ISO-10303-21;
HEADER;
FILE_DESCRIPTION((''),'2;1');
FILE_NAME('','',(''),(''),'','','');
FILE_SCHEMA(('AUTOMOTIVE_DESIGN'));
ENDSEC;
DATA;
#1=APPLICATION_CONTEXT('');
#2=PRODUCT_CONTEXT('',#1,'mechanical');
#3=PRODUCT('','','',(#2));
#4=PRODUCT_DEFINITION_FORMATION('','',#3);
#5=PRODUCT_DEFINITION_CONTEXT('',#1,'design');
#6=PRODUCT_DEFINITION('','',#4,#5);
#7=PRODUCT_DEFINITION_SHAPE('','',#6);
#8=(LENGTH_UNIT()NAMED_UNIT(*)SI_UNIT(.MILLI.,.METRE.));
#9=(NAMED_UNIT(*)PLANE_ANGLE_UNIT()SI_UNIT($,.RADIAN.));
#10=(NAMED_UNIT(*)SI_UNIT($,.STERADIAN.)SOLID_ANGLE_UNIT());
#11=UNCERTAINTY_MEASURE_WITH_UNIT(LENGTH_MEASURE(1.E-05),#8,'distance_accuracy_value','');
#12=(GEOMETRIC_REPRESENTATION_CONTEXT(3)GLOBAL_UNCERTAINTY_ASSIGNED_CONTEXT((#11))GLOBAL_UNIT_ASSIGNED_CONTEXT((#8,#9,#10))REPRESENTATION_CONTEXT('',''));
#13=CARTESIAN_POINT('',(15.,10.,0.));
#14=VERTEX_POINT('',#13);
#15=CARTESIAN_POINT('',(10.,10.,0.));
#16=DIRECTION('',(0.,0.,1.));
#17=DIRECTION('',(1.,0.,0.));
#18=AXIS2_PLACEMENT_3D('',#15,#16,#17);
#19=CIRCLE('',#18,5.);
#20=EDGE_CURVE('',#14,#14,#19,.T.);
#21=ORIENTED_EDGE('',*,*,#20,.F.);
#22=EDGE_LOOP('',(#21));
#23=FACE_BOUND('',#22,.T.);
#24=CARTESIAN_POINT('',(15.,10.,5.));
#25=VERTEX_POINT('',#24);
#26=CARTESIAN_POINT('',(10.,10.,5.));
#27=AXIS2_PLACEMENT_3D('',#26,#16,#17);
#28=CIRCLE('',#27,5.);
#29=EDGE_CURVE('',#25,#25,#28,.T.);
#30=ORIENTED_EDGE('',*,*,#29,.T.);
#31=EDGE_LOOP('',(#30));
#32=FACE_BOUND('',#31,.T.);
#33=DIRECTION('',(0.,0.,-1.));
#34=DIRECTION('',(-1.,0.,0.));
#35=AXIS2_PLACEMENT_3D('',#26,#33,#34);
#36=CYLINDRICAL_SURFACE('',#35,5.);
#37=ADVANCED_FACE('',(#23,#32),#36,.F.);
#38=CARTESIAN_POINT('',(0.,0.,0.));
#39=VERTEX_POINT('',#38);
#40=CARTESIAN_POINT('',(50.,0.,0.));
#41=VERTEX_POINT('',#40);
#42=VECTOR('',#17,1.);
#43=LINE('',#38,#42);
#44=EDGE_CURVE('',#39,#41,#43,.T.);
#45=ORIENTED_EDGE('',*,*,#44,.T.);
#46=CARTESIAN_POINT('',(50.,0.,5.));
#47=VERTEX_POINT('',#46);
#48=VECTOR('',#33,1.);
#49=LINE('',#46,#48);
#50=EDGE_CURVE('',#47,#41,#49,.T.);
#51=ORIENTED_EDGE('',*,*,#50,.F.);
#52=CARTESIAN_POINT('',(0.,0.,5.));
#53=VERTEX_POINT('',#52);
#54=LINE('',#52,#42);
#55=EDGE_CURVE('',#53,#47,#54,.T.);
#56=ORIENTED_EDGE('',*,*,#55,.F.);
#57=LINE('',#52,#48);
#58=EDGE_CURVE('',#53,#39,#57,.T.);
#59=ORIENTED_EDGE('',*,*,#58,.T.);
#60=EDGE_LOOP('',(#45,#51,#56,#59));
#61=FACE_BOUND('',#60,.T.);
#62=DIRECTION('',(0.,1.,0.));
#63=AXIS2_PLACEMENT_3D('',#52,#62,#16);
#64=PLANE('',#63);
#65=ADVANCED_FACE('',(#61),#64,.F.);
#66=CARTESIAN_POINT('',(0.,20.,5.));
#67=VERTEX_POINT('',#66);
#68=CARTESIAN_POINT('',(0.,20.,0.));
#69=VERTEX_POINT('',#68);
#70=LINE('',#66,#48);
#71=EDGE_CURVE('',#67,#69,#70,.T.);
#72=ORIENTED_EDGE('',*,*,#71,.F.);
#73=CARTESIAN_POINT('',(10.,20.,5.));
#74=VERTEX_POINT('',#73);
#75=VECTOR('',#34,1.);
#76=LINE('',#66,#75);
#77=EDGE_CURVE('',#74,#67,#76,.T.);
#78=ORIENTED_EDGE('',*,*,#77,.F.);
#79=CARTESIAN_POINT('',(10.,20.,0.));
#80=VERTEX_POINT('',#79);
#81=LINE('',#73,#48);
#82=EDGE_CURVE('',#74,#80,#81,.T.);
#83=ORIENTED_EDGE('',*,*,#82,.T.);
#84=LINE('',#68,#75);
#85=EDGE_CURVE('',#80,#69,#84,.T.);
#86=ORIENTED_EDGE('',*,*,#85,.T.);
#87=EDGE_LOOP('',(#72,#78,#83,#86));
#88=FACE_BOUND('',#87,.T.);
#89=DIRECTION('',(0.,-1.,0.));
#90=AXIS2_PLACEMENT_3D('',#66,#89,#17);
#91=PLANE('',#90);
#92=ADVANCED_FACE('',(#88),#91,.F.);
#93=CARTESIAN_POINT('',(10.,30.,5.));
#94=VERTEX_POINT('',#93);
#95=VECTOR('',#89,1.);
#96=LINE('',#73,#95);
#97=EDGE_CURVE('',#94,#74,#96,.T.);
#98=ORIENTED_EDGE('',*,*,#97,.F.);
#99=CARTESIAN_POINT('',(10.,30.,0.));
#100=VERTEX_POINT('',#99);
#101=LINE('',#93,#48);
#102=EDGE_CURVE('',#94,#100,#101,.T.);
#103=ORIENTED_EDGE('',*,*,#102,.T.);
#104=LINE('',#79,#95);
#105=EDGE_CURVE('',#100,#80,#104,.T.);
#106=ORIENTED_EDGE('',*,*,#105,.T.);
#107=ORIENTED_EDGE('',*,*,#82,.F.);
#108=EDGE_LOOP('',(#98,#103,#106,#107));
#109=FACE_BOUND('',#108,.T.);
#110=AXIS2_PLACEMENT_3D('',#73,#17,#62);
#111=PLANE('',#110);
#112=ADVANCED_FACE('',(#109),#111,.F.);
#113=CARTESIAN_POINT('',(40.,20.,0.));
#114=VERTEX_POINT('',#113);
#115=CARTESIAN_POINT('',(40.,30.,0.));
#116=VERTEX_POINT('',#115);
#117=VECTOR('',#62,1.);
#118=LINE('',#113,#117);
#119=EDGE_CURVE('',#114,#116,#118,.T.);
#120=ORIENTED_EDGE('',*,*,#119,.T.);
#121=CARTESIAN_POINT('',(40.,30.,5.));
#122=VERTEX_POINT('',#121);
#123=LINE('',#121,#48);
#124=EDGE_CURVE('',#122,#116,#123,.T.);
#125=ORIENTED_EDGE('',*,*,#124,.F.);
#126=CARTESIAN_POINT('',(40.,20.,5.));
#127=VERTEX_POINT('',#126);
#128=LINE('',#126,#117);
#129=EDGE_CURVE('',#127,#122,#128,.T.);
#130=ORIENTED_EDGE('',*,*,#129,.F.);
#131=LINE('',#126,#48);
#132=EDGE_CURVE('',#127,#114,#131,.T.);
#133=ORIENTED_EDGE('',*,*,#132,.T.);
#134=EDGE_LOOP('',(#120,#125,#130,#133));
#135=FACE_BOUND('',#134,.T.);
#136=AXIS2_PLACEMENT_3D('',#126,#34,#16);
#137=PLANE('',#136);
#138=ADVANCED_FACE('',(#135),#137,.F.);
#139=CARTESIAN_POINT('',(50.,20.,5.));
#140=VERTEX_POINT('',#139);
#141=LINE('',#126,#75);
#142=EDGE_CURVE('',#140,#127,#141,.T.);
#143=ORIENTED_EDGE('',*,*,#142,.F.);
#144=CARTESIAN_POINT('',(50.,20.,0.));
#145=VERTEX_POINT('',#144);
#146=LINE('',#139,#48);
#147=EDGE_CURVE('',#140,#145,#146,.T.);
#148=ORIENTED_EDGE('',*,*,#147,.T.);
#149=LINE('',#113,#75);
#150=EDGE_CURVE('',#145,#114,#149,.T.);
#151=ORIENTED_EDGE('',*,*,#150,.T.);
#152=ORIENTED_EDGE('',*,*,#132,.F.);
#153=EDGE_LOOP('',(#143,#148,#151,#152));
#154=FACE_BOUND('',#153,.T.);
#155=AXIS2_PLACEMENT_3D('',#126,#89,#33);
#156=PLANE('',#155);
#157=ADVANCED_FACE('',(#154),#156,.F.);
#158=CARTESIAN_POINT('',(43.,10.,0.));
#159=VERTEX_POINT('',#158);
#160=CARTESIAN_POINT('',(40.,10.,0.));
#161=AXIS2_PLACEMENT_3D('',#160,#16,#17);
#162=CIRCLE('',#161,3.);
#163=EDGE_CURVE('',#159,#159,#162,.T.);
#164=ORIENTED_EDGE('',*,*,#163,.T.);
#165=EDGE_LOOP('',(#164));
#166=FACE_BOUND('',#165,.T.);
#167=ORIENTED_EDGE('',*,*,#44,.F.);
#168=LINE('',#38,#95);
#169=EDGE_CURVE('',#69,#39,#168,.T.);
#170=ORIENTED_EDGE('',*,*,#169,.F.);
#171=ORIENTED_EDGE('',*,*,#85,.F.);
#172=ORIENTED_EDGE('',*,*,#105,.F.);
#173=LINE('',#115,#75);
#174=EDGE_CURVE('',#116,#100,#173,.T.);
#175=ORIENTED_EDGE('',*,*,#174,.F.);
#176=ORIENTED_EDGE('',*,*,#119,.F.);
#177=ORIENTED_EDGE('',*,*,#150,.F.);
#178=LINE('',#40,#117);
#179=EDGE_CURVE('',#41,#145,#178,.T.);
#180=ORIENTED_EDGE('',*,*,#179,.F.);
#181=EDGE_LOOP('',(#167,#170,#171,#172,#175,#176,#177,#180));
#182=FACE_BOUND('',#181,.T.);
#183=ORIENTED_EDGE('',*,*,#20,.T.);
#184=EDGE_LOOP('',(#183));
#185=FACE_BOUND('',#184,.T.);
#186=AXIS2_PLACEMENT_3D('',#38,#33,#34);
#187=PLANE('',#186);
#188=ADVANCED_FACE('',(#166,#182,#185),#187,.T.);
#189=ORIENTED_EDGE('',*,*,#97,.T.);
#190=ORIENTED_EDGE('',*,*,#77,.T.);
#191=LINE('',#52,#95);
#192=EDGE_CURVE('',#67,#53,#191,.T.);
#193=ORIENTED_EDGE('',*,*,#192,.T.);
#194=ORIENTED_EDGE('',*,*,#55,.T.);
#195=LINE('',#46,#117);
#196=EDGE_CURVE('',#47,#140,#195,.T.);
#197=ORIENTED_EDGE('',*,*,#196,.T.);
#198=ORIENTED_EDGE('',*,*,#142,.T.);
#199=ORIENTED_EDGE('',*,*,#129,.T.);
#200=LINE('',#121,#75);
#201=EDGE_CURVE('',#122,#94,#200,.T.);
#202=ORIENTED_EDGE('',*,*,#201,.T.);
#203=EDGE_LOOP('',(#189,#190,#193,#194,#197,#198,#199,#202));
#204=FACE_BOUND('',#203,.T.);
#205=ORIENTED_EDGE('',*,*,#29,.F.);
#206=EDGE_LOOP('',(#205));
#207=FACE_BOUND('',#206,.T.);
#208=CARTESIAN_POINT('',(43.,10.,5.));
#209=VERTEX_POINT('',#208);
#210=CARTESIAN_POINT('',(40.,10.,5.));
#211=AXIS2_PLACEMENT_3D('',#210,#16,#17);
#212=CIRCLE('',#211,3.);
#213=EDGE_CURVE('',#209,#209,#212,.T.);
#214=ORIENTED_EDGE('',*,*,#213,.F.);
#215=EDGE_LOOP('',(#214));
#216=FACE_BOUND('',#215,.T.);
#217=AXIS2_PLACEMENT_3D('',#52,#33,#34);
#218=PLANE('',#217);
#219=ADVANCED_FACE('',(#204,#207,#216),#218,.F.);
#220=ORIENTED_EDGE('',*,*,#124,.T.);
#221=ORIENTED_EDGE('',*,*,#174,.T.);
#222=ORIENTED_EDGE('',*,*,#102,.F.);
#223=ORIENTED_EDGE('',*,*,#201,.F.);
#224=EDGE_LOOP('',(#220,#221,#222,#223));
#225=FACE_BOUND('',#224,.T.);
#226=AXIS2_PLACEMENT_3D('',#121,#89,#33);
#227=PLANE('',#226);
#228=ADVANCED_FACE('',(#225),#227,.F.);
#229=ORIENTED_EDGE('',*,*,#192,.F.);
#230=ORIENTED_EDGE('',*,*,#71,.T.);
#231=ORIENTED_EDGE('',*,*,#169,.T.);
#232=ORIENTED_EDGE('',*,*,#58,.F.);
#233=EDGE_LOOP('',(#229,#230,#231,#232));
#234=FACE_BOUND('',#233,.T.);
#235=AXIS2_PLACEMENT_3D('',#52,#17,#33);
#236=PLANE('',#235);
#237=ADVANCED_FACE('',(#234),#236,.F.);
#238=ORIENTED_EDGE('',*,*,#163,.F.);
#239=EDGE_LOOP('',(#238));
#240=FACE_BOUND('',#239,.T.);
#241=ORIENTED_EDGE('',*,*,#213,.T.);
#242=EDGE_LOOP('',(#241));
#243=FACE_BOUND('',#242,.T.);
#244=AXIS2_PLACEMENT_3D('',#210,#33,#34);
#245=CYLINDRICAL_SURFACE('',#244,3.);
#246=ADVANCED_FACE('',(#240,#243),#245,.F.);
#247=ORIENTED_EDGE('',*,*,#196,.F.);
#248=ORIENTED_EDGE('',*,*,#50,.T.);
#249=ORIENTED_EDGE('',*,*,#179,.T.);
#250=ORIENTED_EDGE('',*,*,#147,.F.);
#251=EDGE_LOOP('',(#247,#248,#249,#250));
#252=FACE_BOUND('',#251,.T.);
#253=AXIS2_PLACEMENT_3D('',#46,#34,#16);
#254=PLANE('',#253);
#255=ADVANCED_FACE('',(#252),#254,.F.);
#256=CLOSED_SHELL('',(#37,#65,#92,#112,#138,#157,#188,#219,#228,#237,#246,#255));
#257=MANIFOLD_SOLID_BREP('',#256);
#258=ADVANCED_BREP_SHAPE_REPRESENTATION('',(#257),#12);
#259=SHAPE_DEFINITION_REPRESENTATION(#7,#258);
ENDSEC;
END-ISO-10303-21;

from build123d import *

# Parameters (mm, degrees)
CROQUIS1_R              = 5
CROQUIS1_R_2            = 3
SALIENTE_EXTRUIR1_DEPTH = 5


with BuildPart() as part:
    # Croquis1 → Saliente-Extruir1 (new body)
    with BuildSketch(Plane.XY):
        Polygon((40, 20), (50, 20), (50, 0), (0, 0), (0, 20), (10, 20), (10, 30), (40, 30), align=None)
        with Locations((10, 10)):
            Circle(CROQUIS1_R, mode=Mode.SUBTRACT)
        with Locations((40, 10)):
            Circle(CROQUIS1_R_2, mode=Mode.SUBTRACT)
    extrude(amount=SALIENTE_EXTRUIR1_DEPTH)


solid = part.part
